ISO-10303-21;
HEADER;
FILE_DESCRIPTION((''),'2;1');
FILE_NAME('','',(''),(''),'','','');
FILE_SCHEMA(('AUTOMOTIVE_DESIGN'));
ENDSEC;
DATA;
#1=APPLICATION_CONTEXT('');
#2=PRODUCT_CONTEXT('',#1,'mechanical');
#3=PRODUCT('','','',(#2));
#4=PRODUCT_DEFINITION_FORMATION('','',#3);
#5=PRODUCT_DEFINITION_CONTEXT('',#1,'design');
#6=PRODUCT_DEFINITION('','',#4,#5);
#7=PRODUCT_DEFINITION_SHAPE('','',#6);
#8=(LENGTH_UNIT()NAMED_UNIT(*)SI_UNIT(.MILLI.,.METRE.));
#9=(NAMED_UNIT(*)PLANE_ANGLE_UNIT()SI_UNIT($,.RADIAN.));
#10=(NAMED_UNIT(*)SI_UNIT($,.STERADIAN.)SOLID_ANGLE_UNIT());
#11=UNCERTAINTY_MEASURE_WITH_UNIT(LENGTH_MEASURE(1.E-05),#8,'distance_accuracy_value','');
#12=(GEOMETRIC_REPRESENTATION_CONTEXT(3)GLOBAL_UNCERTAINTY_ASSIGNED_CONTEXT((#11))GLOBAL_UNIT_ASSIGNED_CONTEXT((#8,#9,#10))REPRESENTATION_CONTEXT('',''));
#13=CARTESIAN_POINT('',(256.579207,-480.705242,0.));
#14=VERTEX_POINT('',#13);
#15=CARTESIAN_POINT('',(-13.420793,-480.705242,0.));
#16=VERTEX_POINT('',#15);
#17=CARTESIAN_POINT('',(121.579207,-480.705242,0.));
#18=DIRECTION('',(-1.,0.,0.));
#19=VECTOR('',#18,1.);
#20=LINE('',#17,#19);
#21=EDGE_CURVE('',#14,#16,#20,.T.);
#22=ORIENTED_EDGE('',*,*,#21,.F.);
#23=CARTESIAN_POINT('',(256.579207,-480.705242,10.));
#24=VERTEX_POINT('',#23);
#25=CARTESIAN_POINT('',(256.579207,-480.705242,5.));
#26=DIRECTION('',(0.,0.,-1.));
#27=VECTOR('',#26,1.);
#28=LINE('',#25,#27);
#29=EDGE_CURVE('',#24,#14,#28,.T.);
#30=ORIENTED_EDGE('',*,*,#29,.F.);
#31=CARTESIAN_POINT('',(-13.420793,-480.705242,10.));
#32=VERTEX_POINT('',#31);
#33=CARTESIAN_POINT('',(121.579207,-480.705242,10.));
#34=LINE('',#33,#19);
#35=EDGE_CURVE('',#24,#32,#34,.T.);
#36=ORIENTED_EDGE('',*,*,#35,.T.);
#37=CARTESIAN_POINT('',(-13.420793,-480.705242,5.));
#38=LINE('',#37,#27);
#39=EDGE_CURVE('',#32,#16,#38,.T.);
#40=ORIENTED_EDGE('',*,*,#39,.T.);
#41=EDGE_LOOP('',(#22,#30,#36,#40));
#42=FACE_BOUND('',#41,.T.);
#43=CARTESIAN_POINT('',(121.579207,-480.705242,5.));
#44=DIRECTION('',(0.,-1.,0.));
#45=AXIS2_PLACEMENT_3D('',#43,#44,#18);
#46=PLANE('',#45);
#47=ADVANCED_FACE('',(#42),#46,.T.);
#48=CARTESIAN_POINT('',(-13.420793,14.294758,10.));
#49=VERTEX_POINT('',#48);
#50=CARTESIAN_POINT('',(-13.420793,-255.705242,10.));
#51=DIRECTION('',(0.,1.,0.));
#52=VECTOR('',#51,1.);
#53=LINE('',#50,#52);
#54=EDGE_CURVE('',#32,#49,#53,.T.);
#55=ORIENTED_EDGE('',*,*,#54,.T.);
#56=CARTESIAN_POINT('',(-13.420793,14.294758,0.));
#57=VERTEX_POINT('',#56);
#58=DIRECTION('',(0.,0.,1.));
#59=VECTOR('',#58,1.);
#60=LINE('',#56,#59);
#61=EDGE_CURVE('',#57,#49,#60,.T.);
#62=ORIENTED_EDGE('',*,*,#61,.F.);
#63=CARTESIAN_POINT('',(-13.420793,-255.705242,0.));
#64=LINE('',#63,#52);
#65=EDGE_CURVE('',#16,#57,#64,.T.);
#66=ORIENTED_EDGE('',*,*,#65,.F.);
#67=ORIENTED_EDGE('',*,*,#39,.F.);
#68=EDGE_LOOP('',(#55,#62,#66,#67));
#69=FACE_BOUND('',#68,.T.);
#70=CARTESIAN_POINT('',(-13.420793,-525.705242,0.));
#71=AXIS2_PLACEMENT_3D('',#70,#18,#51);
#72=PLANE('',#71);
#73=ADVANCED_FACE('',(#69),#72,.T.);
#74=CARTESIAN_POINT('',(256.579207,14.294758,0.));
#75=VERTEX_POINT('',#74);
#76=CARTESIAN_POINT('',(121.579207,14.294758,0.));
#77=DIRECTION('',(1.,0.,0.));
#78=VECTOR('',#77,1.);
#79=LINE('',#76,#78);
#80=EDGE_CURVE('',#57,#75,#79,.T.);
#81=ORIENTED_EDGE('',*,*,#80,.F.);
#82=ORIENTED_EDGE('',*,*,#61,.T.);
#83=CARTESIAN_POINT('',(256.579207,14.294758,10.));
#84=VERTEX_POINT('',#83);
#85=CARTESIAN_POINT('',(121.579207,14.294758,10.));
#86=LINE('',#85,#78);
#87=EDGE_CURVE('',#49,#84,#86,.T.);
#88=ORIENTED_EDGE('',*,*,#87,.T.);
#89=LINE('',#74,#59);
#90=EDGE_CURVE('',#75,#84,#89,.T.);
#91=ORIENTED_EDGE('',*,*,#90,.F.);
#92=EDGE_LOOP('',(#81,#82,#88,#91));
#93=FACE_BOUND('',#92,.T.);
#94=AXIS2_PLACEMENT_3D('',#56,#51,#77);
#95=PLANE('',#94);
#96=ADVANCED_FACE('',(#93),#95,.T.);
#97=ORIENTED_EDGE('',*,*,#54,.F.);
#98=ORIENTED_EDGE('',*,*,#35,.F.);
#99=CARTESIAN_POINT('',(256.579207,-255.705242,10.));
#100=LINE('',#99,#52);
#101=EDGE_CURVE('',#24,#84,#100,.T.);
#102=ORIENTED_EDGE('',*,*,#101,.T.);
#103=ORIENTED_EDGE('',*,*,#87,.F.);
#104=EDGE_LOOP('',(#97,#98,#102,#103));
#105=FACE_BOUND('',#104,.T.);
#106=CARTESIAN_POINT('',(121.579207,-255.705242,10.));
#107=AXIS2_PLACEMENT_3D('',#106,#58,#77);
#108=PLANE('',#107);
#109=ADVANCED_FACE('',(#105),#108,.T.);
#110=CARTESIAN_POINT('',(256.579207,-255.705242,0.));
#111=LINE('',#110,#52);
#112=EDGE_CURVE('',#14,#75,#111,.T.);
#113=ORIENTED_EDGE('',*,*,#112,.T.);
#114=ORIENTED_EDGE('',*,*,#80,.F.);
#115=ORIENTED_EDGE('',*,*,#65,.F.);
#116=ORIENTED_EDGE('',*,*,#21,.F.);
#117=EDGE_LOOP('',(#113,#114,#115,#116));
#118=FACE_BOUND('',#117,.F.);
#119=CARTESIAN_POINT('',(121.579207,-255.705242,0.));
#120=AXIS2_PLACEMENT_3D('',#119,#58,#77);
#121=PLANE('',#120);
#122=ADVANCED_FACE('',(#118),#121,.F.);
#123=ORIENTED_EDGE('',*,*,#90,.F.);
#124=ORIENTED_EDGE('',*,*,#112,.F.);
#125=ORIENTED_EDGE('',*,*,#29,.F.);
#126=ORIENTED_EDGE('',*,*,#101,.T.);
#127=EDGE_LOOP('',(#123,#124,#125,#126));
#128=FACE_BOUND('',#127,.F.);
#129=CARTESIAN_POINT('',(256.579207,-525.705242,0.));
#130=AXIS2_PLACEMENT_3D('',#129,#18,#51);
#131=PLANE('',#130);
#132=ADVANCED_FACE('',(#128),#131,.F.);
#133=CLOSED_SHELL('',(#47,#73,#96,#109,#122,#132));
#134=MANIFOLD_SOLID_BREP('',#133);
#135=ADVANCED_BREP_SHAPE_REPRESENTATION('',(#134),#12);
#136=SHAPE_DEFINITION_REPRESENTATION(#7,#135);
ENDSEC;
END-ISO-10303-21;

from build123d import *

# Parameters (mm, degrees)
SKETCH_W     = 270
SKETCH_H     = 540
PAD_DEPTH    = 10
PAD_FACE2_W  = 270
PAD_FACE2_H  = 10
POCKET_DEPTH = 45


with BuildPart() as part:
    # Sketch → Pad (new body)
    with BuildSketch(Plane.XY):
        with Locations((121.579207, -255.705242)):
            Rectangle(SKETCH_W, SKETCH_H)
    extrude(amount=PAD_DEPTH)

    # Pad Face2 → Pocket (cut)
    with BuildSketch(Plane(origin=(121.579207, -525.705242, 5), x_dir=(-1, 0, 0), z_dir=(0, -1, 0))):
        Rectangle(PAD_FACE2_W, PAD_FACE2_H)
    extrude(amount=-POCKET_DEPTH, mode=Mode.SUBTRACT)


solid = part.part
